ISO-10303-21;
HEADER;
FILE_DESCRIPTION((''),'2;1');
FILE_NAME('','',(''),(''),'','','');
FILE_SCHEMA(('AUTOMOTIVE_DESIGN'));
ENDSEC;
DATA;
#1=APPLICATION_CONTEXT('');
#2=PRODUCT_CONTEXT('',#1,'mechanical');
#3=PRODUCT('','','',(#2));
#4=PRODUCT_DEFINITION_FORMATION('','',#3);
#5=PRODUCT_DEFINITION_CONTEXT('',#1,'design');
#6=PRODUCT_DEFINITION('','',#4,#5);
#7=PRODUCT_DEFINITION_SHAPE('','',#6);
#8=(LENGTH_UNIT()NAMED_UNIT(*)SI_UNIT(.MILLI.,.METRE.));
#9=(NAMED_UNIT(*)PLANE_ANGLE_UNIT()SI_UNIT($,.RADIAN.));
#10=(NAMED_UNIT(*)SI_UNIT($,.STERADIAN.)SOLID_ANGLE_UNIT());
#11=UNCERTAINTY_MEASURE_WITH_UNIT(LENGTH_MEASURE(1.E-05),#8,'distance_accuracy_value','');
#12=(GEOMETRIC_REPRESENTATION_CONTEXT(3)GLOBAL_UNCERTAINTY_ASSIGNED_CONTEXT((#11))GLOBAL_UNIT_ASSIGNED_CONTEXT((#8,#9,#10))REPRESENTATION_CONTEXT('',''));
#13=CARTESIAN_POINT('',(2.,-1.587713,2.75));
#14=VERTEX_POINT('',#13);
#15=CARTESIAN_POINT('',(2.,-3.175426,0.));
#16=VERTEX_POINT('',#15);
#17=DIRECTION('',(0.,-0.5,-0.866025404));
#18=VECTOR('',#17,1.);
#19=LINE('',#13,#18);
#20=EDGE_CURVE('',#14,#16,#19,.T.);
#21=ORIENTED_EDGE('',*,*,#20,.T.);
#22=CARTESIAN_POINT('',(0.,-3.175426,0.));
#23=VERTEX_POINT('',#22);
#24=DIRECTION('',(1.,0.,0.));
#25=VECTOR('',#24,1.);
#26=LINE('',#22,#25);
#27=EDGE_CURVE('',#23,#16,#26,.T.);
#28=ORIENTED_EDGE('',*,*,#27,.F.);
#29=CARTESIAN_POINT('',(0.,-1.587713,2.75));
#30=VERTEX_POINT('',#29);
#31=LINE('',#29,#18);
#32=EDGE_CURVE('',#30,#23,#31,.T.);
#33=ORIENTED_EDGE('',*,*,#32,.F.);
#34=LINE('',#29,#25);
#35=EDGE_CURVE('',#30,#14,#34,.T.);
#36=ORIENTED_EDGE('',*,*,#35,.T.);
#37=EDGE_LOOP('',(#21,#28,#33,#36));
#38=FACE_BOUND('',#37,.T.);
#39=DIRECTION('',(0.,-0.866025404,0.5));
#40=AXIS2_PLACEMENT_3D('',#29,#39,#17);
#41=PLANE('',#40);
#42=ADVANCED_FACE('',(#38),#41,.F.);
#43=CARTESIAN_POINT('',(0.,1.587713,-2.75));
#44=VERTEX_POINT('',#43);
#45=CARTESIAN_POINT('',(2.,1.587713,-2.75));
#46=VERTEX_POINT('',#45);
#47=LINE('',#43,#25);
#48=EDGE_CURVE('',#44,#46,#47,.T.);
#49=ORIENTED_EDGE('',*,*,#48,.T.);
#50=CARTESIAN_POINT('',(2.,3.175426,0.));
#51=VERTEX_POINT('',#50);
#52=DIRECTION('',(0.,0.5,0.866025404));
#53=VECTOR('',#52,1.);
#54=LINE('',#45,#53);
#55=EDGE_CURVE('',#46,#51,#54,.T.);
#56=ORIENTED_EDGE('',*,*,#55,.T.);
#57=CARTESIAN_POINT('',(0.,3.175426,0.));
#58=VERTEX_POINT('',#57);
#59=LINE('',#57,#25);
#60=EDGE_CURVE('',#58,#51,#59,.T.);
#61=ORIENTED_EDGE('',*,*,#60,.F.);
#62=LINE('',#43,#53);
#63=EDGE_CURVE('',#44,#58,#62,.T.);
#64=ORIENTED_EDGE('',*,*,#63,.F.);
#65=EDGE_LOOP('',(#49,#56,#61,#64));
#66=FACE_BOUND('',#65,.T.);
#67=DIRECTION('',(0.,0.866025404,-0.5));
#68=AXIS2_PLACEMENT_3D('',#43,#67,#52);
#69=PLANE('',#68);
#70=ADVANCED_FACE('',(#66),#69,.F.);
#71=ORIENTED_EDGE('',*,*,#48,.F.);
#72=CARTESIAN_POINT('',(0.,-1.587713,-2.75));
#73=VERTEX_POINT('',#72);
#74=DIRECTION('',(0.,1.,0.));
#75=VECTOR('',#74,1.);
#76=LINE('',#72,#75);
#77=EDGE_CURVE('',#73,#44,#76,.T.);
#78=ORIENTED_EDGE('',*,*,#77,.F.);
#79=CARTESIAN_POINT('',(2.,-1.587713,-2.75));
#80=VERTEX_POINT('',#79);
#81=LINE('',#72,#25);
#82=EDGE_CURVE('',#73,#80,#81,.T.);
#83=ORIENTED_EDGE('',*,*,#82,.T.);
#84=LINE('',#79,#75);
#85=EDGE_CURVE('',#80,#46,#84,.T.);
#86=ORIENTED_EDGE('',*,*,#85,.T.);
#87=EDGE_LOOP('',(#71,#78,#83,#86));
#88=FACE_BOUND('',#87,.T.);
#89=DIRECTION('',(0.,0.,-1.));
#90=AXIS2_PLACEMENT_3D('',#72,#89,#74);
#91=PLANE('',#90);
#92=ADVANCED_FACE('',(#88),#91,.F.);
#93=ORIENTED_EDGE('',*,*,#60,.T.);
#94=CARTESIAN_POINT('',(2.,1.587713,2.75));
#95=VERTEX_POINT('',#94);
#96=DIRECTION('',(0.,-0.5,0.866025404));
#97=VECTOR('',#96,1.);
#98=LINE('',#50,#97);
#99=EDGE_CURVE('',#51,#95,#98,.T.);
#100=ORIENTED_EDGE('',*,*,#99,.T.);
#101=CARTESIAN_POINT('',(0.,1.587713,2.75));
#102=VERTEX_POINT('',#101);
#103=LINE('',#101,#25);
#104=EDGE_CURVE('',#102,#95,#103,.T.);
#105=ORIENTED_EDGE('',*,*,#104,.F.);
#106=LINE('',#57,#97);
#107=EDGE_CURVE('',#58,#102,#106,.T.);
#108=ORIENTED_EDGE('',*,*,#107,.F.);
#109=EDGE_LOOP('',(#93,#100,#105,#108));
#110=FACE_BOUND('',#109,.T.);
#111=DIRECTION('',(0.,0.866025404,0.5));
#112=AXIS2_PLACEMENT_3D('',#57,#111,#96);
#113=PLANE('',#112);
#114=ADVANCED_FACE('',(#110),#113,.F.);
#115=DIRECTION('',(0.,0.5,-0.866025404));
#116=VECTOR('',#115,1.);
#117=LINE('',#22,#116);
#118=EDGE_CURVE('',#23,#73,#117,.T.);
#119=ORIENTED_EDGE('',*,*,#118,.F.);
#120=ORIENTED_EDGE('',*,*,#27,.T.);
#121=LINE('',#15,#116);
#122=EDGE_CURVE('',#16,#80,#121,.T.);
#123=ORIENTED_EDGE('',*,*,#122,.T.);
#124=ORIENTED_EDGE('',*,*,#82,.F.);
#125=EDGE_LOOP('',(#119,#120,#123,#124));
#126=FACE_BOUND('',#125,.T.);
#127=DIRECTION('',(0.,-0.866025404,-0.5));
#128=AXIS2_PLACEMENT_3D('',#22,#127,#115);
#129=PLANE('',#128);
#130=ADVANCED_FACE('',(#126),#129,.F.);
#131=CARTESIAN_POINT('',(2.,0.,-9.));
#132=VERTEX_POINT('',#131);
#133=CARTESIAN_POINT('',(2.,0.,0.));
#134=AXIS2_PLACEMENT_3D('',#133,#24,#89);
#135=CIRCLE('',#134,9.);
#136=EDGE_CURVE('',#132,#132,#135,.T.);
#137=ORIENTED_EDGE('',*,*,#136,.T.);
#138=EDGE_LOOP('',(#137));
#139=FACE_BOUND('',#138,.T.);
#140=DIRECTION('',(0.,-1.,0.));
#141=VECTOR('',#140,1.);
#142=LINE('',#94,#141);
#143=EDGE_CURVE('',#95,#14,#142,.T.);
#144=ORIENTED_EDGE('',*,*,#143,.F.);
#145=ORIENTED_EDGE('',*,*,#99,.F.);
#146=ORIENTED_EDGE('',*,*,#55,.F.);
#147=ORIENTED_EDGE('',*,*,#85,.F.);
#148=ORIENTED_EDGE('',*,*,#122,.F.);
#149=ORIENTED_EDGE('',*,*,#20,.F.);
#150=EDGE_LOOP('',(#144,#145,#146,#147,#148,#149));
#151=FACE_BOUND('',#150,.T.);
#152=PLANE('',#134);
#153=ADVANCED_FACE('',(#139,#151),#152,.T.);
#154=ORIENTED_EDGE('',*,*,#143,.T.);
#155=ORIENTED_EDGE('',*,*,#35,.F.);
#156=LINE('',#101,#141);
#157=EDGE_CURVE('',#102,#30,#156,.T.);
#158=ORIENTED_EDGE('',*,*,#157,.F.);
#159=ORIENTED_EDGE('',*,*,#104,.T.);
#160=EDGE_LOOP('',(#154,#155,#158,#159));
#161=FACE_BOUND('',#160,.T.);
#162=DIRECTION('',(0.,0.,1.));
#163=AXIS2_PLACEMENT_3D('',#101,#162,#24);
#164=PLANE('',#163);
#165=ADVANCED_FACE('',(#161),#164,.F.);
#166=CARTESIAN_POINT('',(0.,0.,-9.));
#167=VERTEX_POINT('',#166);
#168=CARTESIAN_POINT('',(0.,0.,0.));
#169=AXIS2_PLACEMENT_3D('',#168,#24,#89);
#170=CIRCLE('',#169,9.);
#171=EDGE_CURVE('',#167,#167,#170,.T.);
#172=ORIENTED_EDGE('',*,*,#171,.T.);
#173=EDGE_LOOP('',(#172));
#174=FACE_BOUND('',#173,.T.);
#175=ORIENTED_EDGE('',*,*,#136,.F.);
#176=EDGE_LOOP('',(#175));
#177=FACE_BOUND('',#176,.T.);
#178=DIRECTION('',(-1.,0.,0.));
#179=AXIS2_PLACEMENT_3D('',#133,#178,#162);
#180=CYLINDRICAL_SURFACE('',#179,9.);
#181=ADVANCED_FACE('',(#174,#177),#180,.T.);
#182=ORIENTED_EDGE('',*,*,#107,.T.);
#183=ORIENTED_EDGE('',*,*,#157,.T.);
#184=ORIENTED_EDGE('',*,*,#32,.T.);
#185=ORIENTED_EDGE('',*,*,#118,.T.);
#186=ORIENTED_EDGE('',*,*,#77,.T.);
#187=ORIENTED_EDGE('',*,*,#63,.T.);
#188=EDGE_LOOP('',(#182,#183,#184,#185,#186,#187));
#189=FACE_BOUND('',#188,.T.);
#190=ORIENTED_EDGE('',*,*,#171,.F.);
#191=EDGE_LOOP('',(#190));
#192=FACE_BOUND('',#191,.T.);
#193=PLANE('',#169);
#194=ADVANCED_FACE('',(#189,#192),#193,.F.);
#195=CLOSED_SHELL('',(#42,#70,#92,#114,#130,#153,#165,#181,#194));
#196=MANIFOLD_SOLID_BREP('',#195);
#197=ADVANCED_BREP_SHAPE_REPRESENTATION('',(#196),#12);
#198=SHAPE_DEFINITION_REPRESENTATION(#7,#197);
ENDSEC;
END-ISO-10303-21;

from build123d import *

# Parameters (mm, degrees)
SKETCH1_R           = 9
BOSS_EXTRUDE1_DEPTH = 2
CUT_EXTRUDE1_DEPTH  = 3


with BuildPart() as part:
    # Sketch1 → Boss-Extrude1 (new body)
    with BuildSketch(Plane(origin=(0, 0, 0), x_dir=(0, 0, -1), z_dir=(1, 0, 0))):
        Circle(SKETCH1_R)
    extrude(amount=BOSS_EXTRUDE1_DEPTH)

    # Sketch2 → Cut-Extrude1 (cut, through all)
    with BuildSketch(Plane(origin=(2, 0, 0), x_dir=(0, 0, -1), z_dir=(1, 0, 0))):
        Polygon((0, 3.175426481), (-2.75, 1.58771324), (-2.75, -1.58771324), (0, -3.175426481), (2.75, -1.58771324), (2.75, 1.58771324), align=None)
    extrude(amount=-CUT_EXTRUDE1_DEPTH, mode=Mode.SUBTRACT)


solid = part.part
